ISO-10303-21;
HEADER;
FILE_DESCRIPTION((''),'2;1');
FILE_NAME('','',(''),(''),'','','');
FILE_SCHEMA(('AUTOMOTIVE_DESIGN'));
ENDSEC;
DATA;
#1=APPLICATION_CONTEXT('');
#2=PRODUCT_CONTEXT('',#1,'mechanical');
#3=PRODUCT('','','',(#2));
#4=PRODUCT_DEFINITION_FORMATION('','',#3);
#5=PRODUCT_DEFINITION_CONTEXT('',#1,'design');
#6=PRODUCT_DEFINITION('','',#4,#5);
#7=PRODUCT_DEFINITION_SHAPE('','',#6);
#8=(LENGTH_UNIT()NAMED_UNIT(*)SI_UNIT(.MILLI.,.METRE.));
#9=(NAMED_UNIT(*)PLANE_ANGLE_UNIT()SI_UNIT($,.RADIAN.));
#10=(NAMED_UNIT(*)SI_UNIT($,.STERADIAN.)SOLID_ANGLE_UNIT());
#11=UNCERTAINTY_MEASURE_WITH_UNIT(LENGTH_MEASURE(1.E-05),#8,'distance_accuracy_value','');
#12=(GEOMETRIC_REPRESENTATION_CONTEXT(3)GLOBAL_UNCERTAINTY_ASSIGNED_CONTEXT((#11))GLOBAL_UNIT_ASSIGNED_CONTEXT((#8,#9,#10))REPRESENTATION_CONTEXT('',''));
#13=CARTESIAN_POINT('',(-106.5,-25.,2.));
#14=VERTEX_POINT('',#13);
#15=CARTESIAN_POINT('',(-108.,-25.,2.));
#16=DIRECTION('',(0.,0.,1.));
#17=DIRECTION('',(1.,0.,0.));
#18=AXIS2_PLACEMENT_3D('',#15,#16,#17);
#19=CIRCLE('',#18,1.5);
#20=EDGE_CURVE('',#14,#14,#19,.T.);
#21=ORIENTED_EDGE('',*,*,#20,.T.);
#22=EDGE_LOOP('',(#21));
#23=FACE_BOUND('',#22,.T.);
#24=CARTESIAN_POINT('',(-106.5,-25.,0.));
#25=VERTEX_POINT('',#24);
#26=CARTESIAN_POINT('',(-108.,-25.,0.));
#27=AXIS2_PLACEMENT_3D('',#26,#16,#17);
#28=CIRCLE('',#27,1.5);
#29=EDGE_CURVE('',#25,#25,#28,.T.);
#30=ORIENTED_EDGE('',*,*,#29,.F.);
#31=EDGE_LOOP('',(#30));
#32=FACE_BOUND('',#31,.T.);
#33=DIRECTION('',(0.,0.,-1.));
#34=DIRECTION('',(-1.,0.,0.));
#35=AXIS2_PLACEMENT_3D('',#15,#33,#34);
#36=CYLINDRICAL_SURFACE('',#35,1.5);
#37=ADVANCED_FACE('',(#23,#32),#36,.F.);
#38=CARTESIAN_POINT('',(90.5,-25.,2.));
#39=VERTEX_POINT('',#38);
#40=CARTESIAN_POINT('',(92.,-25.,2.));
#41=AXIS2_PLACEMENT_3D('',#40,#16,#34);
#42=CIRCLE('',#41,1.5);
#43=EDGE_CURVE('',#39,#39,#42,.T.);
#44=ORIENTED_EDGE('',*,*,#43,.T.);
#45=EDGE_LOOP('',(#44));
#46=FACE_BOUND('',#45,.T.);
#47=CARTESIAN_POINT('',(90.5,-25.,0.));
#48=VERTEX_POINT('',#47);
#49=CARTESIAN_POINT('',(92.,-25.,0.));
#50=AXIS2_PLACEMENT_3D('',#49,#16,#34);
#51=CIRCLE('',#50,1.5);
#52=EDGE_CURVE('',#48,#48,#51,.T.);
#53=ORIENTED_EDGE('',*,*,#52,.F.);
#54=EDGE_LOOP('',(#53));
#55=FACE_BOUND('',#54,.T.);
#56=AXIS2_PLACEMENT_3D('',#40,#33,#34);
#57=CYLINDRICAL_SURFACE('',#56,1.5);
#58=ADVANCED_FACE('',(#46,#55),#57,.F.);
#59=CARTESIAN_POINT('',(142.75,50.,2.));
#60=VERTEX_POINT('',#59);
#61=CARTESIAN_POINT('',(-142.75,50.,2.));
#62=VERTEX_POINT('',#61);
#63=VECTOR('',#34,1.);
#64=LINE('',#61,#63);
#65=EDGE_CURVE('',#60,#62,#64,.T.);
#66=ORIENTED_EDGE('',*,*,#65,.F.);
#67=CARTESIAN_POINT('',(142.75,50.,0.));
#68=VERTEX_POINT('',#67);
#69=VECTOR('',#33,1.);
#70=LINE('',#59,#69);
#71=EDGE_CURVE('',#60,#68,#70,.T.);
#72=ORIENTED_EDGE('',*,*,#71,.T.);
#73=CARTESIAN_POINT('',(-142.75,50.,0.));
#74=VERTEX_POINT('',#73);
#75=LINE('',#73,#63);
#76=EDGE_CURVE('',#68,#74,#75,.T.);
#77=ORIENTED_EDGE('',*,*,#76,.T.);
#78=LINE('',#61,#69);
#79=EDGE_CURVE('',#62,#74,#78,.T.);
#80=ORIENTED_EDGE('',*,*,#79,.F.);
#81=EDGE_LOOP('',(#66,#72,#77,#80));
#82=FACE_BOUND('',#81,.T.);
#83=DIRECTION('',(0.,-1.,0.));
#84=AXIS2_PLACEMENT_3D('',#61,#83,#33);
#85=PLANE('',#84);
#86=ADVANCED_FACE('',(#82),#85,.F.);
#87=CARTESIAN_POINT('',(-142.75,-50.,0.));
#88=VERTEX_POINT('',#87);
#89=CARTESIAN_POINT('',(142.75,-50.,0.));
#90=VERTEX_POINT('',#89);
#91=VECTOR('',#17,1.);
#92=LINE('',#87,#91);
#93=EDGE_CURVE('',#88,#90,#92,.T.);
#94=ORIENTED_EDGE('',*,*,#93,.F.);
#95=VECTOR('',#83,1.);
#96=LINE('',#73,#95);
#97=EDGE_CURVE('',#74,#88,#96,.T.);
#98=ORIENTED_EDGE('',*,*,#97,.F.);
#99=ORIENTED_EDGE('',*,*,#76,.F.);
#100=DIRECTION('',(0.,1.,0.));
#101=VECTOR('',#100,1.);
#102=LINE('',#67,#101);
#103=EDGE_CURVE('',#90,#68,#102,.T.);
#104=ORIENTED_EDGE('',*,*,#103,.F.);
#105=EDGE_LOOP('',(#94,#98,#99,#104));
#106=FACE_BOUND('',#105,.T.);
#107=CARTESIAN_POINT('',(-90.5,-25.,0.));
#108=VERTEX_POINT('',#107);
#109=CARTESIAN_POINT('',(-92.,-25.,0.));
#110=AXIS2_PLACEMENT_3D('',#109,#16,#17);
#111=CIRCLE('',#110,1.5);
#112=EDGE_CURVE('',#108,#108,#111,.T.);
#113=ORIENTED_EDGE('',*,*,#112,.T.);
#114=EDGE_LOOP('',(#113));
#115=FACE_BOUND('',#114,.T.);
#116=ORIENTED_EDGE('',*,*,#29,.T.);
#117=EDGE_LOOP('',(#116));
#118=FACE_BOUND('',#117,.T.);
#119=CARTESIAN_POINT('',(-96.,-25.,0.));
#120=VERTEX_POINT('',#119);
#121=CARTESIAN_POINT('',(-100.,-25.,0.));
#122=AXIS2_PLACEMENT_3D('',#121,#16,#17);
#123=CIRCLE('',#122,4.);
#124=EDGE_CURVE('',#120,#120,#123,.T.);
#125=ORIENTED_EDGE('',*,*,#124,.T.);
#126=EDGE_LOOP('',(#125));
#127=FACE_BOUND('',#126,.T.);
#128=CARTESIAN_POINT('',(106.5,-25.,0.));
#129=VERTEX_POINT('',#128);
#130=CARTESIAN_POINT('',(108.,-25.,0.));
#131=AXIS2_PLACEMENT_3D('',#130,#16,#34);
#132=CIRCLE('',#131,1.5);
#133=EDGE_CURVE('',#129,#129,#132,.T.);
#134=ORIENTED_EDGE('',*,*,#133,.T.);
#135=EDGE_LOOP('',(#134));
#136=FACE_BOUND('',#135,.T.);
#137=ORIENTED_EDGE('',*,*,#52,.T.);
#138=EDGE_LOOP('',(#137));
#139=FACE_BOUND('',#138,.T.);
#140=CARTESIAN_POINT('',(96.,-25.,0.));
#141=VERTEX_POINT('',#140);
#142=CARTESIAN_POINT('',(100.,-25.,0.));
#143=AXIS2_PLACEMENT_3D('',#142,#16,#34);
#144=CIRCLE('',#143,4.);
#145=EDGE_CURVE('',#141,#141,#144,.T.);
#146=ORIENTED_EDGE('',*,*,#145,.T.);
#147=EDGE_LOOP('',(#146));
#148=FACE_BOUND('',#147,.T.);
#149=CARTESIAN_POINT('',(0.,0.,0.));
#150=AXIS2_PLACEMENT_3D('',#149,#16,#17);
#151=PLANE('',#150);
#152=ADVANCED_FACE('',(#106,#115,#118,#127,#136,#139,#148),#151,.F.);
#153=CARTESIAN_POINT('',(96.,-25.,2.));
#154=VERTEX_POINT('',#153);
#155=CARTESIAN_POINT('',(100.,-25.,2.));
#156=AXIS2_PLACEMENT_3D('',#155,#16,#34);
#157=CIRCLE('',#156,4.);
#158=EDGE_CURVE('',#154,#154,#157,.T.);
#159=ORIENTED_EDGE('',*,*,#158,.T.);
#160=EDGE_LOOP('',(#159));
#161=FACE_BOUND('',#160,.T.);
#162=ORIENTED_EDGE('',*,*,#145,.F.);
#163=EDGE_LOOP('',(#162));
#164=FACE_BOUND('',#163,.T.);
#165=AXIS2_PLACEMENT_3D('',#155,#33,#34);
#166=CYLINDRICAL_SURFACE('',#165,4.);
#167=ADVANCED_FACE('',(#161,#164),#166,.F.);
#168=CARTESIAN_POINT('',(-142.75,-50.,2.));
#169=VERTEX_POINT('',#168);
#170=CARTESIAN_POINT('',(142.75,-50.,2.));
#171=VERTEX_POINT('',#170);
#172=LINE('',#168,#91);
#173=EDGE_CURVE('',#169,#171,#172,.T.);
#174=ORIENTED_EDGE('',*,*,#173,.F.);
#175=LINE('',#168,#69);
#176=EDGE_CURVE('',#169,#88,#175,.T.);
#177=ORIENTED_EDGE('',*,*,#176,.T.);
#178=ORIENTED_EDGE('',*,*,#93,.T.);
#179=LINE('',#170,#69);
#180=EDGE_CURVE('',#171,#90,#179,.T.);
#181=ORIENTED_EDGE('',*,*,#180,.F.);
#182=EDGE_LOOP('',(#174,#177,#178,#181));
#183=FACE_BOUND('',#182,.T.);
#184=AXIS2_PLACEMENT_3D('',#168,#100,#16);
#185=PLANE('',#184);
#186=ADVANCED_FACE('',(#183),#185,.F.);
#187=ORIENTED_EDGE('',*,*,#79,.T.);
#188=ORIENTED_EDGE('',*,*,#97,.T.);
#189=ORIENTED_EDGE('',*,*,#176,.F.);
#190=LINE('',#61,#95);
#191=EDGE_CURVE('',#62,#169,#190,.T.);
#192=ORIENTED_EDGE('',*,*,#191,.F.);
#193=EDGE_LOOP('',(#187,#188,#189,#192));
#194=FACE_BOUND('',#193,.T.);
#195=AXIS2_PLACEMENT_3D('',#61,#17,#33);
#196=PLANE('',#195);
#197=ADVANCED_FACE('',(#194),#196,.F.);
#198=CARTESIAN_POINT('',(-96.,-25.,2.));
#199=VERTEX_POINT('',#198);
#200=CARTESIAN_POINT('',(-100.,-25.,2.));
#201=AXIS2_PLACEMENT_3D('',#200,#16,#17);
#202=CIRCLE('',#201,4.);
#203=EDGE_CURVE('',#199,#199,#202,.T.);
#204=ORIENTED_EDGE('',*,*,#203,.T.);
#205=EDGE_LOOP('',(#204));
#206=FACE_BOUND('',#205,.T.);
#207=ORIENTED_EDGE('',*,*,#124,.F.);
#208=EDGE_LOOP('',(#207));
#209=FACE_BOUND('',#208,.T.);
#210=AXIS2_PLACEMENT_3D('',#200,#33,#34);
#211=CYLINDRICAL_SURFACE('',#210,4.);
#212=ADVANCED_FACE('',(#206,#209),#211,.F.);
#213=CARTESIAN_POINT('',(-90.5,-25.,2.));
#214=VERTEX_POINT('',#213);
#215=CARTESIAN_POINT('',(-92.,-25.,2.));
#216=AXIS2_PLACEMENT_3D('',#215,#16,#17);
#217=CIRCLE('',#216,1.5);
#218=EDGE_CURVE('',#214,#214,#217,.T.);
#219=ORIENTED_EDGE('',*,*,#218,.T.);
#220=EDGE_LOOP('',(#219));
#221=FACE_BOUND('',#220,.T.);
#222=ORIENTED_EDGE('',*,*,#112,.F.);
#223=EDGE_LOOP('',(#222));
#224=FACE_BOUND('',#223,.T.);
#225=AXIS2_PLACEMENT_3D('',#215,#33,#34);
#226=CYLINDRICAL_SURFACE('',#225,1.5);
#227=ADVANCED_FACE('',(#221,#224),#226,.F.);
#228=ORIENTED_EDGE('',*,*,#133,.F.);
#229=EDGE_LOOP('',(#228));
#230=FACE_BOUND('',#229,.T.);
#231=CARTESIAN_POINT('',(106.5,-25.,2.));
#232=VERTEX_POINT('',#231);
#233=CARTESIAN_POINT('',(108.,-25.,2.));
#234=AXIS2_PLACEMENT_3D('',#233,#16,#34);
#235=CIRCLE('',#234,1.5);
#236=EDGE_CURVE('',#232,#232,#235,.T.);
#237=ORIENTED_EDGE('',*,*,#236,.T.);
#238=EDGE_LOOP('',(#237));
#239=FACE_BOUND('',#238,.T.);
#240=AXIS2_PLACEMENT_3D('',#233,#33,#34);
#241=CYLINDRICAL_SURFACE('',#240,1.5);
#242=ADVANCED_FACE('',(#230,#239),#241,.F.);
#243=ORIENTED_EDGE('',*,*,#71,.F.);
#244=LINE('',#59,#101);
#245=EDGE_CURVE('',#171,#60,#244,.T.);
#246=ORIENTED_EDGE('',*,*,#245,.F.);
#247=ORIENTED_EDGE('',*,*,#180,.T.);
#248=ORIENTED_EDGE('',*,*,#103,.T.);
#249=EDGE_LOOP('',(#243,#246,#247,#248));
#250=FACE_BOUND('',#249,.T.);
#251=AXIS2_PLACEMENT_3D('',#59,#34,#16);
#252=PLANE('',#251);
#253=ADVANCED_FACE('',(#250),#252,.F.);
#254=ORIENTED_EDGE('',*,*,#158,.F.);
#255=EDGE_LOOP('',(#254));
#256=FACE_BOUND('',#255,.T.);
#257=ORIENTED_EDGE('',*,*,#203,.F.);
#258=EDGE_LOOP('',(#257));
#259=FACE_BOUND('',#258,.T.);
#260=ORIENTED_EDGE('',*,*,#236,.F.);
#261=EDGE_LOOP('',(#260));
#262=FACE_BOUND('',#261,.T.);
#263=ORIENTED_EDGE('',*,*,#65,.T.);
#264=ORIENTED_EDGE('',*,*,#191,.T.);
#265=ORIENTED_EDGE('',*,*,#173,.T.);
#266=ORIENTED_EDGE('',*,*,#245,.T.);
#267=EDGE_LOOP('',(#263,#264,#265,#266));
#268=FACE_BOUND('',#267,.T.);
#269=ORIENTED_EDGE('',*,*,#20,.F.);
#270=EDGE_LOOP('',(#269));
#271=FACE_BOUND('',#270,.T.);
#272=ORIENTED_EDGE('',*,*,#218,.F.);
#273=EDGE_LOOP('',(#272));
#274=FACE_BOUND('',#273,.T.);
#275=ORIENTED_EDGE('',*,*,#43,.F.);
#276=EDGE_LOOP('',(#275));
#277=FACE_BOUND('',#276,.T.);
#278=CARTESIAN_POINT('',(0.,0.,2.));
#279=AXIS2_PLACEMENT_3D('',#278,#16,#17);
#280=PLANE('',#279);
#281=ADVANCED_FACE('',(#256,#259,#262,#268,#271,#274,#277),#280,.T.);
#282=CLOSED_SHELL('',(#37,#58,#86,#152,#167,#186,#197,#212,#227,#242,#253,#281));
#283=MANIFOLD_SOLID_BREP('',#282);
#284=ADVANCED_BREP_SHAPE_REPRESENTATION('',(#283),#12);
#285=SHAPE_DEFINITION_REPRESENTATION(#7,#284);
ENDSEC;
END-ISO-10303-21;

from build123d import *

# Parameters (mm, degrees)
SKETCH1_W           = 285.5
SKETCH1_H           = 100
SKETCH1_R           = 4
SKETCH1_R_2         = 1.5
BOSS_EXTRUDE1_DEPTH = 2


with BuildPart() as part:
    # Sketch1 → Boss-Extrude1 (new body)
    with BuildSketch(Plane.XY):
        Rectangle(SKETCH1_W, SKETCH1_H)
        with Locations((-100, -25)):
            Circle(SKETCH1_R, mode=Mode.SUBTRACT)
        with Locations((-92, -25)):
            Circle(SKETCH1_R_2, mode=Mode.SUBTRACT)
        with Locations((-108, -25)):
            Circle(SKETCH1_R_2, mode=Mode.SUBTRACT)
        with Locations((108, -25)):
            Circle(SKETCH1_R_2, mode=Mode.SUBTRACT)
        with Locations((92, -25)):
            Circle(SKETCH1_R_2, mode=Mode.SUBTRACT)
        with Locations((100, -25)):
            Circle(SKETCH1_R, mode=Mode.SUBTRACT)
    extrude(amount=BOSS_EXTRUDE1_DEPTH)


solid = part.part
